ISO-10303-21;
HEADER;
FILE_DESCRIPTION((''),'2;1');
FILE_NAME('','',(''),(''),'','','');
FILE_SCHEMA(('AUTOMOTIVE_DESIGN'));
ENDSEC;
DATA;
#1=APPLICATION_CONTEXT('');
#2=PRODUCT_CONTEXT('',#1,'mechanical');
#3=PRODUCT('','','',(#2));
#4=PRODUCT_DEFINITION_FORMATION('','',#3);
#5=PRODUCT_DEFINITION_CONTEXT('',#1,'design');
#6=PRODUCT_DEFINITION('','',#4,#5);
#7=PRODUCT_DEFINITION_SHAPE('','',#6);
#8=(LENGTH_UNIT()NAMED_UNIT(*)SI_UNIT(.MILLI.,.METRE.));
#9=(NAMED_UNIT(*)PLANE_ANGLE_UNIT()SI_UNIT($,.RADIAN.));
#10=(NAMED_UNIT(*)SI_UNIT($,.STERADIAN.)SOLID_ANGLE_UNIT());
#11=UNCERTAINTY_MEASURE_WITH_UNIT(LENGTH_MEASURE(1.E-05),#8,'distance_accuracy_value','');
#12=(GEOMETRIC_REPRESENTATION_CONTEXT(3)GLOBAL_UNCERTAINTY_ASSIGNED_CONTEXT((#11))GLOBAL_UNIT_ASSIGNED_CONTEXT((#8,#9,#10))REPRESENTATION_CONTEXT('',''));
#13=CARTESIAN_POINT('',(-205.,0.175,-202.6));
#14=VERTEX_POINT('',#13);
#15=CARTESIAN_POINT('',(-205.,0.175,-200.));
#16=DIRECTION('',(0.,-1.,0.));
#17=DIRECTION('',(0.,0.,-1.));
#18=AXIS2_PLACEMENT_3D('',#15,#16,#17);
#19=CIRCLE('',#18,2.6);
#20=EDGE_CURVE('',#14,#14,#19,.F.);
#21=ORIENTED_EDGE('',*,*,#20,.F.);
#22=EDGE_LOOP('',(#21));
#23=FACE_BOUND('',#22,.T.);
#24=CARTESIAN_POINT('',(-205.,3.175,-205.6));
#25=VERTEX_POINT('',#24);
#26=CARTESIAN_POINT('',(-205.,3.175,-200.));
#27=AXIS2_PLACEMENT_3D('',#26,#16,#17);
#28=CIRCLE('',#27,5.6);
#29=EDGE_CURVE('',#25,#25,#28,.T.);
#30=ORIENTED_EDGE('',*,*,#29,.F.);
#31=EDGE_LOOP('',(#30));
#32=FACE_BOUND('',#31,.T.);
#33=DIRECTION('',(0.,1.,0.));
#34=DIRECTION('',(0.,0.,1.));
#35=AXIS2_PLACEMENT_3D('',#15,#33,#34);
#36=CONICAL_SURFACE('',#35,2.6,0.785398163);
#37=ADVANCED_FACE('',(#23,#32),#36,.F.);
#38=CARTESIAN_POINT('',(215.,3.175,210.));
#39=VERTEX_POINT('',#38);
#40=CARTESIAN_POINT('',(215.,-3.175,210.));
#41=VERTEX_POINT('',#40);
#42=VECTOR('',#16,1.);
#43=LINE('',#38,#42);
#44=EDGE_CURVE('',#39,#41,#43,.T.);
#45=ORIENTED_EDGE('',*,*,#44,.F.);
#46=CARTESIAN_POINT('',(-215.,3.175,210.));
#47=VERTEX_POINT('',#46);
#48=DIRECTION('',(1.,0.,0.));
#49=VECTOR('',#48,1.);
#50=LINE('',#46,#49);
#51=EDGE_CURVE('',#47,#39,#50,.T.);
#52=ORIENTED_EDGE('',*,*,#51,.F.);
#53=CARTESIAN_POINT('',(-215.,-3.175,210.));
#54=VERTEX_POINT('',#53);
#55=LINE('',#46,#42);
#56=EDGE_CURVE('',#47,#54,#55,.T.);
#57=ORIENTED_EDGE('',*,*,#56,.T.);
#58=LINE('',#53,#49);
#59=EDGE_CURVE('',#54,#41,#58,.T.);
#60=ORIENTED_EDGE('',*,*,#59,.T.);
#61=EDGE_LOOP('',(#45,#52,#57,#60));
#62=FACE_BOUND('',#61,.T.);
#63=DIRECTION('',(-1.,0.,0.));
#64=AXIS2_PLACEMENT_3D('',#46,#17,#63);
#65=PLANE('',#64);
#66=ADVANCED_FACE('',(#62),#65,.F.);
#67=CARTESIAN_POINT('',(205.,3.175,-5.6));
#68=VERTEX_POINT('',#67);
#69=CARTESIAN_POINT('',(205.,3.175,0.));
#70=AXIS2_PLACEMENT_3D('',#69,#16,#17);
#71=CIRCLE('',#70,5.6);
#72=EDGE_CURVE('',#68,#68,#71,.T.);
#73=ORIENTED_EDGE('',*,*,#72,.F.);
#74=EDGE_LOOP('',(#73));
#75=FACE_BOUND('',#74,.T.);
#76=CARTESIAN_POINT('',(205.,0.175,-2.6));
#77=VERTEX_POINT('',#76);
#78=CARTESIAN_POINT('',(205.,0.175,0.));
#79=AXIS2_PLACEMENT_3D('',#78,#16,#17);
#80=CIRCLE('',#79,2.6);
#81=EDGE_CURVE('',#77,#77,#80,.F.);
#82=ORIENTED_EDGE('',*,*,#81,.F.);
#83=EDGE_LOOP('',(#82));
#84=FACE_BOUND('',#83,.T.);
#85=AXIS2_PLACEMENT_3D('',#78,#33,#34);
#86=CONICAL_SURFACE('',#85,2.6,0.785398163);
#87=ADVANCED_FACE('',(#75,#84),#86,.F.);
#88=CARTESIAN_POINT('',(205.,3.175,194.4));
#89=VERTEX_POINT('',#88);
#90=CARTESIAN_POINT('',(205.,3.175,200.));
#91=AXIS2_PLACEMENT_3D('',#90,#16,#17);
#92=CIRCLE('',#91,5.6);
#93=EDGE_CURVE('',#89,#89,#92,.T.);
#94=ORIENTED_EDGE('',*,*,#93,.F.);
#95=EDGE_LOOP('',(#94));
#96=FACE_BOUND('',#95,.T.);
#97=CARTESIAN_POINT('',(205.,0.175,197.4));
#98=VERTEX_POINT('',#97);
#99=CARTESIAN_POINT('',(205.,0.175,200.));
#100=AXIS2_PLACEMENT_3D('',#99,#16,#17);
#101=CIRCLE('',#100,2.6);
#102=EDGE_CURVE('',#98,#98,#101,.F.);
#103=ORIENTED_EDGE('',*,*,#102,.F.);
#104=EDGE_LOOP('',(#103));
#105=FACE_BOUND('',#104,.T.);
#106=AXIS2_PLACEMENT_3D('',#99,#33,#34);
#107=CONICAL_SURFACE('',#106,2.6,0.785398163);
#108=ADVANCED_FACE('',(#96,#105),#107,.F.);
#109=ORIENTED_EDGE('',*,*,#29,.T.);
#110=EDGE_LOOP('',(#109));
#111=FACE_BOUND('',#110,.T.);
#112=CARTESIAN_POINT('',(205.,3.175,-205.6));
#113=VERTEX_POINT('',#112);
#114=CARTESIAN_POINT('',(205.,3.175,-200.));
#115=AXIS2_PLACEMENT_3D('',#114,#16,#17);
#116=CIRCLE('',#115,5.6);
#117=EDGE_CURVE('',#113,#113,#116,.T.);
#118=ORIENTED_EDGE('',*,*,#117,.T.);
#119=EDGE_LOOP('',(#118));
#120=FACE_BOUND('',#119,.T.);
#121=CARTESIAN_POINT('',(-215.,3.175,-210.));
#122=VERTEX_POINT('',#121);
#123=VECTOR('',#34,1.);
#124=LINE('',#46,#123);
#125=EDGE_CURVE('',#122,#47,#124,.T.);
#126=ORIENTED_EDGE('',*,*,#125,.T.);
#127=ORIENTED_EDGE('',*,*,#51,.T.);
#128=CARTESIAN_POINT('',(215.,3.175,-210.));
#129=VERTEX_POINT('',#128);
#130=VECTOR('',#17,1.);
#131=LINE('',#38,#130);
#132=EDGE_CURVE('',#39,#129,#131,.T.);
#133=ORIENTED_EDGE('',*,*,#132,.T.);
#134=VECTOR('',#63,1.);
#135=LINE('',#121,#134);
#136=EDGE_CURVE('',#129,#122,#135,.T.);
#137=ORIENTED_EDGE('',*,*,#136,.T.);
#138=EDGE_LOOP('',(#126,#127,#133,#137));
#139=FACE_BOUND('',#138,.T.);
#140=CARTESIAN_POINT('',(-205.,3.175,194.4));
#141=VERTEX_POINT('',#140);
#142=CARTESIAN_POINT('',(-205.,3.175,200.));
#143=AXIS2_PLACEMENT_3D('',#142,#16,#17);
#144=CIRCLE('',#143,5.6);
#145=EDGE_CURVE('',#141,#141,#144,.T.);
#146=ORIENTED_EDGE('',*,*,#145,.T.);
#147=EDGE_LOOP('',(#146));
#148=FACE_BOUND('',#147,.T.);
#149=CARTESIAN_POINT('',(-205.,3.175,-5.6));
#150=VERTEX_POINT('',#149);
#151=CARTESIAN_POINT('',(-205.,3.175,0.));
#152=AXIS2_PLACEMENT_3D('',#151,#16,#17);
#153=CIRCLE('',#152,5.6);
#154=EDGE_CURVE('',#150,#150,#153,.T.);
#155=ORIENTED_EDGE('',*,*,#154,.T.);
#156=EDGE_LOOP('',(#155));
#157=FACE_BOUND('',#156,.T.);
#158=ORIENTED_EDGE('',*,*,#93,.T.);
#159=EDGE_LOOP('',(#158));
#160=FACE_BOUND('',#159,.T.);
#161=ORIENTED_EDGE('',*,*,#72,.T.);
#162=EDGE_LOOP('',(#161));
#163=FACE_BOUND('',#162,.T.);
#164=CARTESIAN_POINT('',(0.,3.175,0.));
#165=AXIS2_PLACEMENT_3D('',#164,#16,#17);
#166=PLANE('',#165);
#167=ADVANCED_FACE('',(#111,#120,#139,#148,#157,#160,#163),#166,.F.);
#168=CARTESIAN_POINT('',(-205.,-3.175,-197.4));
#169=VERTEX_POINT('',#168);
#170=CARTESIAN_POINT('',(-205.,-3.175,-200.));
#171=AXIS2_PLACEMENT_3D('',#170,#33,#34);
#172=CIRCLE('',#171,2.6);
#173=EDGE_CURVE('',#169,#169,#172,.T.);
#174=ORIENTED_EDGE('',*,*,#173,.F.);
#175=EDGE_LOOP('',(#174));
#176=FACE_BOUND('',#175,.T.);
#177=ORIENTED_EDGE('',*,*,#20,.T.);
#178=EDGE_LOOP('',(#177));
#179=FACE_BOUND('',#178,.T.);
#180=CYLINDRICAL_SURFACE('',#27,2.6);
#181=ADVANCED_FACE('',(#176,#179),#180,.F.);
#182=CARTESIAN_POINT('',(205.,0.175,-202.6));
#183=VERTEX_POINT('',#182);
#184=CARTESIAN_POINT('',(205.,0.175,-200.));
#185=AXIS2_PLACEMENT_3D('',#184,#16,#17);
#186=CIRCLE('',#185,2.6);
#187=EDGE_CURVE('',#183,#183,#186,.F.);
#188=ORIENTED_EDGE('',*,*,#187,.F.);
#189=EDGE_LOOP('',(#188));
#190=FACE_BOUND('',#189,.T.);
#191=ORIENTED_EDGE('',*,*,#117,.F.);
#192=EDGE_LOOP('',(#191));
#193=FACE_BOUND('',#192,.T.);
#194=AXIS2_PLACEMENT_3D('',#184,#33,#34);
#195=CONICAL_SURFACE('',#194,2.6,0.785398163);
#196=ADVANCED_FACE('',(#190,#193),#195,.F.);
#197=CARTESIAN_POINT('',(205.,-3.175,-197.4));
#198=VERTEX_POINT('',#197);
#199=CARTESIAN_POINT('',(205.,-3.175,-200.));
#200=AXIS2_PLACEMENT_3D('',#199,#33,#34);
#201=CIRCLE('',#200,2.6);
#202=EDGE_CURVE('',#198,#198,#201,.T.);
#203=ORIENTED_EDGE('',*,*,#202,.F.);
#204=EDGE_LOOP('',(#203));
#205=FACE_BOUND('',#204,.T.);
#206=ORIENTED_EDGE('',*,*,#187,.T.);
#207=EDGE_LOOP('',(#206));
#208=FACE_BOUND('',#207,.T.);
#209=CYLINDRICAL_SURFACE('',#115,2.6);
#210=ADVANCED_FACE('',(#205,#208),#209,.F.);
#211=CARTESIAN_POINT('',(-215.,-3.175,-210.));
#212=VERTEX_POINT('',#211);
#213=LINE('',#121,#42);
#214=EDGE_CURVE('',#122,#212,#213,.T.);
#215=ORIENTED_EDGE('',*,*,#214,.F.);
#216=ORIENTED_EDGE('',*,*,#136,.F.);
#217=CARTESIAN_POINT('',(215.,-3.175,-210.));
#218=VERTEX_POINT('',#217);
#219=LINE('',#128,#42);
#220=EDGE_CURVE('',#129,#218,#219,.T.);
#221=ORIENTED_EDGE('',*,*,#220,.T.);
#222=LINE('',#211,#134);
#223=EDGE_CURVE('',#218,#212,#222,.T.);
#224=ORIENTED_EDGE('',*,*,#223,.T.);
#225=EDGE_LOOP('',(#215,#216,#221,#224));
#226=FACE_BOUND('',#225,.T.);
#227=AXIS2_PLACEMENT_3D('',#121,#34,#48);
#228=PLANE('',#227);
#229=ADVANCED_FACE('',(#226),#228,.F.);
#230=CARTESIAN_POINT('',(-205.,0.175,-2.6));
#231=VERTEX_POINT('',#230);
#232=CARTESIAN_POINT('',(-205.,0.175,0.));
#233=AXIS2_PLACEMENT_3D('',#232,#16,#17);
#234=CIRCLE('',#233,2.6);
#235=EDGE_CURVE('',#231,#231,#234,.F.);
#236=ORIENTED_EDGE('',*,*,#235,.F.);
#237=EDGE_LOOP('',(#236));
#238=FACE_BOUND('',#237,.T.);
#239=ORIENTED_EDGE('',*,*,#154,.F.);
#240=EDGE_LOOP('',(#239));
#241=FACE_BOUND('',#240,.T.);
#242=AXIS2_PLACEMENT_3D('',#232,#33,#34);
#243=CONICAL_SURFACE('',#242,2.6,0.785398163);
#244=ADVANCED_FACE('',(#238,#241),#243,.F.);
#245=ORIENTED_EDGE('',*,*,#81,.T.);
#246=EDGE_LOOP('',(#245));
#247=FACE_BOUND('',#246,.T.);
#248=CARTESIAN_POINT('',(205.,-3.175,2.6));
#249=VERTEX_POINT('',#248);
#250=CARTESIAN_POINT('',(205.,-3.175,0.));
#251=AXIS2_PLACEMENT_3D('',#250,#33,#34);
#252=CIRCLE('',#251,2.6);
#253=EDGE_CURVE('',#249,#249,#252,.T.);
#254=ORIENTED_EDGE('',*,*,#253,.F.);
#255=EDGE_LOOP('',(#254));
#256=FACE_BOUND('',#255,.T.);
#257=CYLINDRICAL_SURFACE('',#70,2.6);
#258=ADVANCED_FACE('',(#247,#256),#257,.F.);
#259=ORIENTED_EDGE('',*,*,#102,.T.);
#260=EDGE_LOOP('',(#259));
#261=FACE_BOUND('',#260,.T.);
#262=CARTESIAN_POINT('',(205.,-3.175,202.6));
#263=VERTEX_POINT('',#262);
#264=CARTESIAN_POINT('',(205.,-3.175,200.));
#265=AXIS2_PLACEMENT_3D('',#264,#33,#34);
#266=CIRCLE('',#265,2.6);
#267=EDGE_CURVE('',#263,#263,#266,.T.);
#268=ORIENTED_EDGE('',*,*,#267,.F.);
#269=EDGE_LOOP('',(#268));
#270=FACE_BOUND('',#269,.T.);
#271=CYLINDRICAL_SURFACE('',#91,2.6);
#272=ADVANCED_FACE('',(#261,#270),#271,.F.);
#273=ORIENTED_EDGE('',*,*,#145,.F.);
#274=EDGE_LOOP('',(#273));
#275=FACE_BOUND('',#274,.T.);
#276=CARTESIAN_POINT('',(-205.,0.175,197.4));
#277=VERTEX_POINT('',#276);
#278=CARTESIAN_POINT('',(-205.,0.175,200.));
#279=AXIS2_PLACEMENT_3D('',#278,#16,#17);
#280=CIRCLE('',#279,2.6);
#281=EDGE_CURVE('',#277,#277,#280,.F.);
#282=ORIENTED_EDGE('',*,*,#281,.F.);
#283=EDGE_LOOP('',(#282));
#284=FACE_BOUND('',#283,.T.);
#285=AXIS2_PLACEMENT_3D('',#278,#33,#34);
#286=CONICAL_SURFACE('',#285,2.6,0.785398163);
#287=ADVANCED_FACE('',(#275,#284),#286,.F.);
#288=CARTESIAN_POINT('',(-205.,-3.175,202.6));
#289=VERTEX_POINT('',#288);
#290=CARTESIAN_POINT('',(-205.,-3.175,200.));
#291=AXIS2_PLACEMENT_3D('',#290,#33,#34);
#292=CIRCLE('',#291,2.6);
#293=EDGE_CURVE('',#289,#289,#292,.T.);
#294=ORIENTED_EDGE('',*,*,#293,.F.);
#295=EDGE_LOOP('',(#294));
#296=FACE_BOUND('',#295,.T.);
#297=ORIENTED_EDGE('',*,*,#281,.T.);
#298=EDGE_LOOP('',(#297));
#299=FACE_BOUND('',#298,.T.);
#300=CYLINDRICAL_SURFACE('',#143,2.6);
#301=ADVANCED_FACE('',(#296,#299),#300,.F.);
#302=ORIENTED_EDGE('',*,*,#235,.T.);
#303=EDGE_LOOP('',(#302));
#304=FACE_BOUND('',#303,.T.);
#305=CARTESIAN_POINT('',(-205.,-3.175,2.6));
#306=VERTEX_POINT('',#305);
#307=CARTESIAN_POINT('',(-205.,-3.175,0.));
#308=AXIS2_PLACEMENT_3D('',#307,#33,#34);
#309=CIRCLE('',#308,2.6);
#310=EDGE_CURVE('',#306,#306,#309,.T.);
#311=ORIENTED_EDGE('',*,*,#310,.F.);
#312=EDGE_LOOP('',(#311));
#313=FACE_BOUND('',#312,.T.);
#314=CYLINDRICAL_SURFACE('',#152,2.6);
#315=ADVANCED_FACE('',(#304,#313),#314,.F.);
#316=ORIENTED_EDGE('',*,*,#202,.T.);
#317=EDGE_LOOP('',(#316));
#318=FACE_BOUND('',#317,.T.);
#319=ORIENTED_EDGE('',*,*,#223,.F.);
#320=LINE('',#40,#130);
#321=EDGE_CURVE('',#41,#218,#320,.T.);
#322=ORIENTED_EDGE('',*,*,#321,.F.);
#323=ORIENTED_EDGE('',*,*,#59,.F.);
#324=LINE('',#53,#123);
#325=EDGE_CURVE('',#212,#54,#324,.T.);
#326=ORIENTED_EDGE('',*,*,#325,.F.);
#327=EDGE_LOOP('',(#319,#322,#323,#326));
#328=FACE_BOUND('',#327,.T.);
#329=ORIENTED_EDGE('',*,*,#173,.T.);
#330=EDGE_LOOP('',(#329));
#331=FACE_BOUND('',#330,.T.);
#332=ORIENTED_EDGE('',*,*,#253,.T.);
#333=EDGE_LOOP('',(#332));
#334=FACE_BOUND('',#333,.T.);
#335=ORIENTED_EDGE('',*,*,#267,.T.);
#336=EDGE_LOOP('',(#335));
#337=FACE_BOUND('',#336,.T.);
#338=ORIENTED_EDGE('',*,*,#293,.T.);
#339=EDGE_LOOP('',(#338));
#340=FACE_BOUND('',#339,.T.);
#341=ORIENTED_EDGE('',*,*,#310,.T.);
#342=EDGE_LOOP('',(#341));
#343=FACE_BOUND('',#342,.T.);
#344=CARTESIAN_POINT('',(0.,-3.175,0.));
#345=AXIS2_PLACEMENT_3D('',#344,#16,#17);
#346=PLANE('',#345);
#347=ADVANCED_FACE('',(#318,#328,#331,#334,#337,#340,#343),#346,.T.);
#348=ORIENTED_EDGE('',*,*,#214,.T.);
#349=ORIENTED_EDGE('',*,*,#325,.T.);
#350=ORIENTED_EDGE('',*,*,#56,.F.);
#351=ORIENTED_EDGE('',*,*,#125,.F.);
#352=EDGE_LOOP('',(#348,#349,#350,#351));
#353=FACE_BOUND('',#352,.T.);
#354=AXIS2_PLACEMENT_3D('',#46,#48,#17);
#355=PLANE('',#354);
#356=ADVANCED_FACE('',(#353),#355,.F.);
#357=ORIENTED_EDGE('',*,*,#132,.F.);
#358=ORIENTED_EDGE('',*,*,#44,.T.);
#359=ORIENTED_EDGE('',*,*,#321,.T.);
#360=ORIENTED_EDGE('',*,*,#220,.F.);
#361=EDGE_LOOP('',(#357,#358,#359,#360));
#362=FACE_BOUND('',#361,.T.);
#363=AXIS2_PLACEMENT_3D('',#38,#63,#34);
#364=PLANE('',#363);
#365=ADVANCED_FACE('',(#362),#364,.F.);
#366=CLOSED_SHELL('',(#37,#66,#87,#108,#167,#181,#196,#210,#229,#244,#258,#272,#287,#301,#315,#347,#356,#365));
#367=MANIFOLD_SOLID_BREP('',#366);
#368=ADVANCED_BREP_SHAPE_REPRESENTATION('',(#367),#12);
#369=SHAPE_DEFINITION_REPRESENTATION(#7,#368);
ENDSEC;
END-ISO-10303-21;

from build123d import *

# Parameters (mm, degrees)
SKETCH2_W           = 430
SKETCH2_H           = 420
SKETCH2_R           = 2.6
BOSS_EXTRUDE1_DEPTH = 3.175
CHAMFER1_SIZE       = 3


with BuildPart() as part:
    # Sketch2 → Boss-Extrude1 (new body, symmetric)
    with BuildSketch(Plane(origin=(0, 0, 0), x_dir=(1, 0, 0), z_dir=(0, 1, 0))):
        Rectangle(SKETCH2_W, SKETCH2_H)
        with Locations((-205, 200)):
            Circle(SKETCH2_R, mode=Mode.SUBTRACT)
        with Locations((205, 200)):
            Circle(SKETCH2_R, mode=Mode.SUBTRACT)
        with Locations((205, -200)):
            Circle(SKETCH2_R, mode=Mode.SUBTRACT)
        with Locations((-205, -200)):
            Circle(SKETCH2_R, mode=Mode.SUBTRACT)
        with Locations((-205, 0)):
            Circle(SKETCH2_R, mode=Mode.SUBTRACT)
        with Locations((205, 0)):
            Circle(SKETCH2_R, mode=Mode.SUBTRACT)
    extrude(amount=BOSS_EXTRUDE1_DEPTH, both=True)

    # Chamfer1
    chamfer1_edges = [part.edges().sort_by_distance(p)[0] for p in [
        (-207.6, 3.175, -200),
        (202.4, 3.175, -200),
        (202.4, 3.175, 200),
        (-207.6, 3.175, 200),
        (-207.6, 3.175, 0),
        (202.4, 3.175, 0),
    ]]
    chamfer(chamfer1_edges, length=CHAMFER1_SIZE)


solid = part.part
